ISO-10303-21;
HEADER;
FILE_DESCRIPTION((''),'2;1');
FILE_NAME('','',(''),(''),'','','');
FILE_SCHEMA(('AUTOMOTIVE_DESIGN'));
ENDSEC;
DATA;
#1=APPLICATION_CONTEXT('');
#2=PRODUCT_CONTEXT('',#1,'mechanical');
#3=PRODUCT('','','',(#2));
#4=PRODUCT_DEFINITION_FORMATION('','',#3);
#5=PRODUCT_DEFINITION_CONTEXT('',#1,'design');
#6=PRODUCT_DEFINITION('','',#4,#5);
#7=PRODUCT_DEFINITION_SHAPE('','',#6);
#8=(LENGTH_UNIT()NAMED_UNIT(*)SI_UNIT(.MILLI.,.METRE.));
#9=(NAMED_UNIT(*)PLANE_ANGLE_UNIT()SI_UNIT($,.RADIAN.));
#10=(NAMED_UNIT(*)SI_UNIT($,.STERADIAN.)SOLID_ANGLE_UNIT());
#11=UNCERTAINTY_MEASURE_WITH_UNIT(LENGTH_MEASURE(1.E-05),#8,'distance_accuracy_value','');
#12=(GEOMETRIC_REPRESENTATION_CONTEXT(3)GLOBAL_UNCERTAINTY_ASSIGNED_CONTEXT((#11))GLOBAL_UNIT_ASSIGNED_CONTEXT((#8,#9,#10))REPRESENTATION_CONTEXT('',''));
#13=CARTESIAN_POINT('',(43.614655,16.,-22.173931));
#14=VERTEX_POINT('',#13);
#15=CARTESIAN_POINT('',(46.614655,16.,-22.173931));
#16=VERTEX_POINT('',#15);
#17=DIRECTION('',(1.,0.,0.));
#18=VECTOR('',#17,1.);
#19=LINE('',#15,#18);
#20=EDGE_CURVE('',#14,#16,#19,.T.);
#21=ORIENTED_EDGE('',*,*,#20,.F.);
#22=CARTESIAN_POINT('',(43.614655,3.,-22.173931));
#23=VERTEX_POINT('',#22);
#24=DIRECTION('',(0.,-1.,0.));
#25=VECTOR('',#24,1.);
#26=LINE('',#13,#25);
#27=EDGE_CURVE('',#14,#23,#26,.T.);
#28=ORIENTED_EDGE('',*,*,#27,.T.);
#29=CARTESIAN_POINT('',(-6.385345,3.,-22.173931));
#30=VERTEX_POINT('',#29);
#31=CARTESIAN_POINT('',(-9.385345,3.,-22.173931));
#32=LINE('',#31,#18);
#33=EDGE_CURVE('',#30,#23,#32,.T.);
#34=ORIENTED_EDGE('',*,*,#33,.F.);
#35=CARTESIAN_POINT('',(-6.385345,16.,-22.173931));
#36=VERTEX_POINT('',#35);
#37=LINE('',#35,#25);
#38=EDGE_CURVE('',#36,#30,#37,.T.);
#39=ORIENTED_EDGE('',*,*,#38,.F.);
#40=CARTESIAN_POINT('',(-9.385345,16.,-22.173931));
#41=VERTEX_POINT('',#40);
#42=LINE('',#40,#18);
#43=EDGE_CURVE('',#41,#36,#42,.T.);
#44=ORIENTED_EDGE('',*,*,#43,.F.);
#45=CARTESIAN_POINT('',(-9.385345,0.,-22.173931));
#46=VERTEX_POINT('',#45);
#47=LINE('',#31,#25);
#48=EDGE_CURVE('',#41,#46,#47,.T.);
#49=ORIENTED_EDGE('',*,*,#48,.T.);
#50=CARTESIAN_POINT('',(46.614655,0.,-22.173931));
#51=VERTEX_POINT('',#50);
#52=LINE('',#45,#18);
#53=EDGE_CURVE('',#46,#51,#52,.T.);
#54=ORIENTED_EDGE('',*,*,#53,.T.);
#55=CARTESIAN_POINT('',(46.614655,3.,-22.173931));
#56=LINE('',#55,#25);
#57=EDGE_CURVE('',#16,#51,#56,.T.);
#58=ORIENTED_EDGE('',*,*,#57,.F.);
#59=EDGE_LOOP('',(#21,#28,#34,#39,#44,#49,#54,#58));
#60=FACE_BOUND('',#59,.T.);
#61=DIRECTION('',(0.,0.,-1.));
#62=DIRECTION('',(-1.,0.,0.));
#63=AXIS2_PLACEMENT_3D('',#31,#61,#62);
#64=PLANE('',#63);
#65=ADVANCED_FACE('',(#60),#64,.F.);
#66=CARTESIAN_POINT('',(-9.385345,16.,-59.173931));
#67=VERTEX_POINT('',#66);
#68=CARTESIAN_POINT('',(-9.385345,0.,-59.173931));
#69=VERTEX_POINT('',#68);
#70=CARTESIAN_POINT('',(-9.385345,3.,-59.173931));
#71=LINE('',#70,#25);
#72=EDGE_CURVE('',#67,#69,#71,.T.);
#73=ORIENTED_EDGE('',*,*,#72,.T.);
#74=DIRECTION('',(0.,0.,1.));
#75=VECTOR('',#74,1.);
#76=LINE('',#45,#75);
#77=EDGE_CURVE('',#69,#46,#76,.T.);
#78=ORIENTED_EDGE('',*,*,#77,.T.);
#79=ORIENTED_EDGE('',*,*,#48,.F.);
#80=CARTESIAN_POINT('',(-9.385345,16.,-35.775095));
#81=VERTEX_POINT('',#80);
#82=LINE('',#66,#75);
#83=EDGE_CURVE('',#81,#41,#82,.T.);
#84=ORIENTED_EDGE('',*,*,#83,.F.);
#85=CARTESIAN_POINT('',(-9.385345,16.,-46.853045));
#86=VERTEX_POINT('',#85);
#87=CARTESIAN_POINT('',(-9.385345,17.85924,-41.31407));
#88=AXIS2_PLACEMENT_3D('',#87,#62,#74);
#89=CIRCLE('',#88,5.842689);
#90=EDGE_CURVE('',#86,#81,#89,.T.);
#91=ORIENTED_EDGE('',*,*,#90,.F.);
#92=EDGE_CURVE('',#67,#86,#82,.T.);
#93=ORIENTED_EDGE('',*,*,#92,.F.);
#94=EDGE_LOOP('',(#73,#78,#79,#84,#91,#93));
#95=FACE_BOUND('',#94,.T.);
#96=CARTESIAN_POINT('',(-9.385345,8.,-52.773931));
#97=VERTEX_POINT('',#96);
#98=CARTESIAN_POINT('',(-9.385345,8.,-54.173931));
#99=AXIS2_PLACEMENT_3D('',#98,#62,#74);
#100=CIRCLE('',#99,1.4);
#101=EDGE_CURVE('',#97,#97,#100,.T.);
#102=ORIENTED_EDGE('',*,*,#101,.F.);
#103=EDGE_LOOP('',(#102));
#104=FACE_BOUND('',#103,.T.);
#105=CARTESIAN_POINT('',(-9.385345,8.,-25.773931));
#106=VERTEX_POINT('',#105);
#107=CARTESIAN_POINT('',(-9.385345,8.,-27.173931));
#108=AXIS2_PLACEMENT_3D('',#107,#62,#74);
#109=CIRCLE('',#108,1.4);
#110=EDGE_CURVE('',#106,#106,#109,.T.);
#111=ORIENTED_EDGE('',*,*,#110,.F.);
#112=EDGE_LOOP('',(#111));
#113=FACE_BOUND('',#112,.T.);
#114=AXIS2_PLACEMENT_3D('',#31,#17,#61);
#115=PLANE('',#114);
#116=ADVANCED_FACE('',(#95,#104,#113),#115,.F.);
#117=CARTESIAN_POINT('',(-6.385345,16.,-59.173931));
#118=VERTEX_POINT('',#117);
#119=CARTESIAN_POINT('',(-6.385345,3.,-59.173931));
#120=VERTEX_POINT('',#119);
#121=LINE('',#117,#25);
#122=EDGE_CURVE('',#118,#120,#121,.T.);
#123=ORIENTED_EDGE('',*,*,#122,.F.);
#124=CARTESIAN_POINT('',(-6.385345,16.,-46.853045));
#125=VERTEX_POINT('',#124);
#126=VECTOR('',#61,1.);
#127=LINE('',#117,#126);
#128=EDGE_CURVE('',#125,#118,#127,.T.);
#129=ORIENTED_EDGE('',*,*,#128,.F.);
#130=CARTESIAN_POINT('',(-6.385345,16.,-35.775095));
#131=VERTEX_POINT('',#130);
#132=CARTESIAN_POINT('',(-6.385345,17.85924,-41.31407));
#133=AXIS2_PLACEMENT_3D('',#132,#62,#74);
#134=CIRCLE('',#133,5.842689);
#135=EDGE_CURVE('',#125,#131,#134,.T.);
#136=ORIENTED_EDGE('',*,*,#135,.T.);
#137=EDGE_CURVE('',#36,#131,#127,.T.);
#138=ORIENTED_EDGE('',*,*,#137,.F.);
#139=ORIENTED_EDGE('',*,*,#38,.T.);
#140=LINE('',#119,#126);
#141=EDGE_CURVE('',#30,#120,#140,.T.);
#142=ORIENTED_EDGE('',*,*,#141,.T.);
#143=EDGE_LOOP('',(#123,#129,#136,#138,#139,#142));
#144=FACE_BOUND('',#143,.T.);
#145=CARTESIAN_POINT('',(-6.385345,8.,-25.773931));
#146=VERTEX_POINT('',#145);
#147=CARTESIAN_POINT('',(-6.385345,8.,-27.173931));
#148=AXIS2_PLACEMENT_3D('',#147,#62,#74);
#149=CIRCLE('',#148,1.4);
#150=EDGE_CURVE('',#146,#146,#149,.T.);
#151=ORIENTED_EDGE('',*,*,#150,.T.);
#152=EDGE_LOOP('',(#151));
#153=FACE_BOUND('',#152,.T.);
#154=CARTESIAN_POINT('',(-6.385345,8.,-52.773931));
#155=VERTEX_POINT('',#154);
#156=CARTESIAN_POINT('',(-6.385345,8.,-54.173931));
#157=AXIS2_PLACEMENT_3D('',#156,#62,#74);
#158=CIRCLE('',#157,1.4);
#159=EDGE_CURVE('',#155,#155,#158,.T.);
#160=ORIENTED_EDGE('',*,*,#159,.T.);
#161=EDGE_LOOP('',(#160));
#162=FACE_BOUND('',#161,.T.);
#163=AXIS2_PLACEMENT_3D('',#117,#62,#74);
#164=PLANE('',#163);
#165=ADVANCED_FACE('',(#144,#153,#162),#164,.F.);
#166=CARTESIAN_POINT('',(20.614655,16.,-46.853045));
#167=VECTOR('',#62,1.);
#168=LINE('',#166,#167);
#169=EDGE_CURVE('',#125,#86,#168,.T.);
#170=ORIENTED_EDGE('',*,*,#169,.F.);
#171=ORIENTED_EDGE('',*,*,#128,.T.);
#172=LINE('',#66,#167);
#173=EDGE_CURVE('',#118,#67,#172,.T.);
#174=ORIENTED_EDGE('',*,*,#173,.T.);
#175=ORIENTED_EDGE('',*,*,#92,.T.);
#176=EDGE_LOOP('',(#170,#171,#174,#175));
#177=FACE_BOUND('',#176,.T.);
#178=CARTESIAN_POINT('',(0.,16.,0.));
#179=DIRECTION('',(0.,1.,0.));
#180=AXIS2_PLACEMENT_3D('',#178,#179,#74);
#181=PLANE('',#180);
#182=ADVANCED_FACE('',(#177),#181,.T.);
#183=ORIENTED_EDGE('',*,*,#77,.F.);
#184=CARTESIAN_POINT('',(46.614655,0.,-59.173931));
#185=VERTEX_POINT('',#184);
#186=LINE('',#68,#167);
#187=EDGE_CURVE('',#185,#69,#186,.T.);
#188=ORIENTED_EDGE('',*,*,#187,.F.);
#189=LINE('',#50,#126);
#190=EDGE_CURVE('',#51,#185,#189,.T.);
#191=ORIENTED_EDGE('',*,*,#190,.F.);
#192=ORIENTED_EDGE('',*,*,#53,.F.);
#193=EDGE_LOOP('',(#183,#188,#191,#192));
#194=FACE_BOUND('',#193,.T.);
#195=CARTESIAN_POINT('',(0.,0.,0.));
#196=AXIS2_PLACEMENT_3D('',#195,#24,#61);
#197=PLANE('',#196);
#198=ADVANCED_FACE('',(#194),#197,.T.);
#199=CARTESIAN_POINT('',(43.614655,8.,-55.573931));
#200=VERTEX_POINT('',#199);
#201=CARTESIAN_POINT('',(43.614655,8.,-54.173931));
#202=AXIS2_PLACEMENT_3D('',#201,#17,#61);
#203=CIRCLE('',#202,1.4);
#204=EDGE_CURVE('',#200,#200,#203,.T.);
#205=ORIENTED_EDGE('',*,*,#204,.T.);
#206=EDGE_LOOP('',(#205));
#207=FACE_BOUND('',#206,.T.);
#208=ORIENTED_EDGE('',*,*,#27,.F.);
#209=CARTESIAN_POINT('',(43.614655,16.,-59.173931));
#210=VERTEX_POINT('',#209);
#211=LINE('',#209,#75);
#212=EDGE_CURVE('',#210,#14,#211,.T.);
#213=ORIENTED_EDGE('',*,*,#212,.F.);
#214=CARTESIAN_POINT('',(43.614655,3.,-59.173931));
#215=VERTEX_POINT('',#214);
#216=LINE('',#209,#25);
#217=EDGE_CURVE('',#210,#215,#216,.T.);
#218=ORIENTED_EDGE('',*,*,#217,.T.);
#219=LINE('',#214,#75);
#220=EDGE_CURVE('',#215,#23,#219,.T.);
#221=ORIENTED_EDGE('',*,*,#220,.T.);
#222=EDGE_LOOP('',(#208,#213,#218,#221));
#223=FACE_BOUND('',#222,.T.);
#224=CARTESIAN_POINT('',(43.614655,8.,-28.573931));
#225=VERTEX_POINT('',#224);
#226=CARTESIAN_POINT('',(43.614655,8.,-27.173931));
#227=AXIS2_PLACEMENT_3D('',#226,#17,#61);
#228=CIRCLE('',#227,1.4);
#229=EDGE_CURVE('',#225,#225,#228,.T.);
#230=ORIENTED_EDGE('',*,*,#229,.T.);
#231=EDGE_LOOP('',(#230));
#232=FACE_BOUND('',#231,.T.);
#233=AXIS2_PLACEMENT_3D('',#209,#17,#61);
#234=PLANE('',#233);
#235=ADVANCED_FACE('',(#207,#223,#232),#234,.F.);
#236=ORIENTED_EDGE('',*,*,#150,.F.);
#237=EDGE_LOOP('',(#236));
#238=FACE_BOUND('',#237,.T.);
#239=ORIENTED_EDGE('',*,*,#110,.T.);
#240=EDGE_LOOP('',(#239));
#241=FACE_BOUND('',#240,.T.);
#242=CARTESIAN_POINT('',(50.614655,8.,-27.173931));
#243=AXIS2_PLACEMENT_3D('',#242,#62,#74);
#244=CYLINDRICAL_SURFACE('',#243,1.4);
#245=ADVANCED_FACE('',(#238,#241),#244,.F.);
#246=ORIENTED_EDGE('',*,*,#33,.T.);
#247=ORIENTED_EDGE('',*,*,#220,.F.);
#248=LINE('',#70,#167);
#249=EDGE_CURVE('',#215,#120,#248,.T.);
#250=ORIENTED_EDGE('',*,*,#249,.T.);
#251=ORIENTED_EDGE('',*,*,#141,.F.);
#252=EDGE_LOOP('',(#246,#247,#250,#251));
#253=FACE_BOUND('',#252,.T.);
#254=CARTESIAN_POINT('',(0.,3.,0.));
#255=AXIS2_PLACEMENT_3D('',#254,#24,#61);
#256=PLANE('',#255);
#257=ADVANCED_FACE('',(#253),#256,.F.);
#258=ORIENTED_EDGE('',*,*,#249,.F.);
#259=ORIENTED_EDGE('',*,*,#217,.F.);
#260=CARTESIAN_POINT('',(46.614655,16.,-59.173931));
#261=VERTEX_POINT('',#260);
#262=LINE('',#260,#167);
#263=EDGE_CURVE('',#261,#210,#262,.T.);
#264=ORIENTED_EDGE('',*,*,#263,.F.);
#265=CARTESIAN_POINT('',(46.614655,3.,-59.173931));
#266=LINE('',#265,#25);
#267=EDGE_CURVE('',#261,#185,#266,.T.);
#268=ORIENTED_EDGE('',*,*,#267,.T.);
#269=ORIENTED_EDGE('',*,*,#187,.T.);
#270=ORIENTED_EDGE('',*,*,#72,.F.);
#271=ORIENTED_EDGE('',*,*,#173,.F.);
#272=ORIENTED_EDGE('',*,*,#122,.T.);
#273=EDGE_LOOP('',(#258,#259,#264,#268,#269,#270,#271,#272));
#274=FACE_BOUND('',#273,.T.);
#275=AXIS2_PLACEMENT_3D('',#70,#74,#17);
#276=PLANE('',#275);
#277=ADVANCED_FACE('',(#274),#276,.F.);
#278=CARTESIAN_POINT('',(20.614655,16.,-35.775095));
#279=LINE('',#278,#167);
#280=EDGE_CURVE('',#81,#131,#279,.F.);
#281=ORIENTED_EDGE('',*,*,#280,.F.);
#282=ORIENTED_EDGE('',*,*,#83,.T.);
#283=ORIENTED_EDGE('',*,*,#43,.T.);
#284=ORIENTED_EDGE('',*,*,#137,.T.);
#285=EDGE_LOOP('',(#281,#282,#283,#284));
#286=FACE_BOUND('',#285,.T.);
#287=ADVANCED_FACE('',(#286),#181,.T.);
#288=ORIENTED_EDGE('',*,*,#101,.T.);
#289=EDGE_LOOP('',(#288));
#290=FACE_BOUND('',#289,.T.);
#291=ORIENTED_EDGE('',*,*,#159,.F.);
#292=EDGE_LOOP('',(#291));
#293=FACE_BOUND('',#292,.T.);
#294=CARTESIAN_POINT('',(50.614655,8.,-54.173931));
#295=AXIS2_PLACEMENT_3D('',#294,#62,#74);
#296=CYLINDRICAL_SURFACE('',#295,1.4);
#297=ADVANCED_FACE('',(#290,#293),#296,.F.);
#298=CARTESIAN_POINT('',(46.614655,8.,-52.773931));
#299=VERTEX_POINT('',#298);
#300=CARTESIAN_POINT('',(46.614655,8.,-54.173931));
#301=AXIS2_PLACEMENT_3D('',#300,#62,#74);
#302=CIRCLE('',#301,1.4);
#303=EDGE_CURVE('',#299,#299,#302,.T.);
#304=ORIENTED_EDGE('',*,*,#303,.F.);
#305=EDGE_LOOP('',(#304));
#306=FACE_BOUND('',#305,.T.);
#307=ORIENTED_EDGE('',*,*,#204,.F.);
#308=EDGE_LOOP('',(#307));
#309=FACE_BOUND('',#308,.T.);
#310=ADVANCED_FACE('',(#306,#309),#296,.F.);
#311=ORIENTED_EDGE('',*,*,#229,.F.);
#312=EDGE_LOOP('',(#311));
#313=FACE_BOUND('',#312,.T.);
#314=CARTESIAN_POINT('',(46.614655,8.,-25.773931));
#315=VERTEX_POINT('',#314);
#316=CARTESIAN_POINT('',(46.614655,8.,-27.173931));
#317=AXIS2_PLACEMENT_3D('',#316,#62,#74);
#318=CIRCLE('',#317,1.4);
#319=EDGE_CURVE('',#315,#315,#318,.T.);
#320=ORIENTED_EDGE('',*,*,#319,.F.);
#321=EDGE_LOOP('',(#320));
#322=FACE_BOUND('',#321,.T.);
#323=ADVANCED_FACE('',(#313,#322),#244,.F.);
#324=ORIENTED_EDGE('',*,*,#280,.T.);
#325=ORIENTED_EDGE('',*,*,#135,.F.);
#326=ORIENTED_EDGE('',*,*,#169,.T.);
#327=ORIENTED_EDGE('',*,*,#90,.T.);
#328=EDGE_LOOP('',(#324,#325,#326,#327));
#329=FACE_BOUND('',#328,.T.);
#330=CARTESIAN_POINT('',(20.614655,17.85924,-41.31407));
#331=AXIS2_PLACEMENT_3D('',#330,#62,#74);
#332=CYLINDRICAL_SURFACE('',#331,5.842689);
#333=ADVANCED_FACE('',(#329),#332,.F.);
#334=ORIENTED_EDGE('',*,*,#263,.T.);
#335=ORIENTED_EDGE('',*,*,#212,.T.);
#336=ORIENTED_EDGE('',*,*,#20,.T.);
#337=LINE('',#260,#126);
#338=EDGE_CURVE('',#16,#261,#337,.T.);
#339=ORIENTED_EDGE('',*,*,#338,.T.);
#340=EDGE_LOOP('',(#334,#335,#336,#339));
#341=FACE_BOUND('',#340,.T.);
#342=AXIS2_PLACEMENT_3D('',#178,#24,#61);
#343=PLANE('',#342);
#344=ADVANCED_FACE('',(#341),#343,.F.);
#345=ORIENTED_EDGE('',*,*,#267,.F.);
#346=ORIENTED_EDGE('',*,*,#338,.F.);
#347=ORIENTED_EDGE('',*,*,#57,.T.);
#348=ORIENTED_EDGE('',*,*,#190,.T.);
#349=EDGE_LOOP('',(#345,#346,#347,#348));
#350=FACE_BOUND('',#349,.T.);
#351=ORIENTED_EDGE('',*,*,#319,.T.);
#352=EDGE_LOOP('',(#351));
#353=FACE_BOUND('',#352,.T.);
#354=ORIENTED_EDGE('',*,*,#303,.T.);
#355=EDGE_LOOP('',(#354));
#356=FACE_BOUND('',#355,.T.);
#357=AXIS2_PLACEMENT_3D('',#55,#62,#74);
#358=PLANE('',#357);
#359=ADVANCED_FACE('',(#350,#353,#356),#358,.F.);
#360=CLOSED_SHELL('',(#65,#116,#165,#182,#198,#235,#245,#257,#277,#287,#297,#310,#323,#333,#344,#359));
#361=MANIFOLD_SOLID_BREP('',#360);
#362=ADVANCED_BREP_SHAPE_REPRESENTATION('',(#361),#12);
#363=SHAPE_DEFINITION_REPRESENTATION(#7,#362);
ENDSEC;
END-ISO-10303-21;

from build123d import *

# Parameters (mm, degrees)
ESBO_O1_W                = 56
ESBO_O1_H                = 37
RESSALTO_EXTRUS_O1_DEPTH = 3
ESBO_O10_W               = 3
ESBO_O10_H               = 37
RESSALTO_EXTRUS_O2_DEPTH = 13
ESBO_O13_W               = 3
ESBO_O13_H               = 37
RESSALTO_EXTRUS_O3_DEPTH = 13
ESBO_O14_R               = 5.84268935
CORTE_EXTRUS_O1_DEPTH    = 30
ESBO_O15_R               = 1.4
CORTE_EXTRUS_O2_DEPTH    = 60
ESBO_O17_R               = 1.4
CORTE_EXTRUS_O3_DEPTH    = 60


with BuildPart() as part:
    # Esboço1 → Ressalto-extrusão1 (new body)
    with BuildSketch(Plane(origin=(0, 0, 0), x_dir=(1, 0, 0), z_dir=(0, 1, 0))):
        with Locations((18.614655485, 40.673930531)):
            Rectangle(ESBO_O1_W, ESBO_O1_H)
    extrude(amount=RESSALTO_EXTRUS_O1_DEPTH)

    # Esboço10 → Ressalto-extrusão2 (add)
    with BuildSketch(Plane(origin=(0, 3, 0), x_dir=(1, 0, 0), z_dir=(0, 1, 0))):
        with Locations((-7.885344515, 40.673930531)):
            Rectangle(ESBO_O10_W, ESBO_O10_H)
    extrude(amount=RESSALTO_EXTRUS_O2_DEPTH)

    # Esboço13 → Ressalto-extrusão3 (add)
    with BuildSketch(Plane(origin=(0, 3, 0), x_dir=(1, 0, 0), z_dir=(0, 1, 0))):
        with Locations((45.114655485, 40.673930531)):
            Rectangle(ESBO_O13_W, ESBO_O13_H)
    extrude(amount=RESSALTO_EXTRUS_O3_DEPTH)

    # Esboço14 → Corte-extrusão1 (cut)
    with BuildSketch(Plane.ZY.offset(9.385344515)):
        with Locations((-41.314070298, 17.859240249)):
            Circle(ESBO_O14_R)
    extrude(amount=-CORTE_EXTRUS_O1_DEPTH, mode=Mode.SUBTRACT)

    # Esboço15 → Corte-extrusão2 (cut)
    with BuildSketch(Plane.ZY.offset(9.385344515)):
        with Locations((-27.173930531, 8)):
            Circle(ESBO_O15_R)
    extrude(amount=-CORTE_EXTRUS_O2_DEPTH, mode=Mode.SUBTRACT)

    # Esboço17 → Corte-extrusão3 (cut)
    with BuildSketch(Plane.ZY.offset(9.385344515)):
        with Locations((-54.173930531, 8)):
            Circle(ESBO_O17_R)
    extrude(amount=-CORTE_EXTRUS_O3_DEPTH, mode=Mode.SUBTRACT)


solid = part.part
